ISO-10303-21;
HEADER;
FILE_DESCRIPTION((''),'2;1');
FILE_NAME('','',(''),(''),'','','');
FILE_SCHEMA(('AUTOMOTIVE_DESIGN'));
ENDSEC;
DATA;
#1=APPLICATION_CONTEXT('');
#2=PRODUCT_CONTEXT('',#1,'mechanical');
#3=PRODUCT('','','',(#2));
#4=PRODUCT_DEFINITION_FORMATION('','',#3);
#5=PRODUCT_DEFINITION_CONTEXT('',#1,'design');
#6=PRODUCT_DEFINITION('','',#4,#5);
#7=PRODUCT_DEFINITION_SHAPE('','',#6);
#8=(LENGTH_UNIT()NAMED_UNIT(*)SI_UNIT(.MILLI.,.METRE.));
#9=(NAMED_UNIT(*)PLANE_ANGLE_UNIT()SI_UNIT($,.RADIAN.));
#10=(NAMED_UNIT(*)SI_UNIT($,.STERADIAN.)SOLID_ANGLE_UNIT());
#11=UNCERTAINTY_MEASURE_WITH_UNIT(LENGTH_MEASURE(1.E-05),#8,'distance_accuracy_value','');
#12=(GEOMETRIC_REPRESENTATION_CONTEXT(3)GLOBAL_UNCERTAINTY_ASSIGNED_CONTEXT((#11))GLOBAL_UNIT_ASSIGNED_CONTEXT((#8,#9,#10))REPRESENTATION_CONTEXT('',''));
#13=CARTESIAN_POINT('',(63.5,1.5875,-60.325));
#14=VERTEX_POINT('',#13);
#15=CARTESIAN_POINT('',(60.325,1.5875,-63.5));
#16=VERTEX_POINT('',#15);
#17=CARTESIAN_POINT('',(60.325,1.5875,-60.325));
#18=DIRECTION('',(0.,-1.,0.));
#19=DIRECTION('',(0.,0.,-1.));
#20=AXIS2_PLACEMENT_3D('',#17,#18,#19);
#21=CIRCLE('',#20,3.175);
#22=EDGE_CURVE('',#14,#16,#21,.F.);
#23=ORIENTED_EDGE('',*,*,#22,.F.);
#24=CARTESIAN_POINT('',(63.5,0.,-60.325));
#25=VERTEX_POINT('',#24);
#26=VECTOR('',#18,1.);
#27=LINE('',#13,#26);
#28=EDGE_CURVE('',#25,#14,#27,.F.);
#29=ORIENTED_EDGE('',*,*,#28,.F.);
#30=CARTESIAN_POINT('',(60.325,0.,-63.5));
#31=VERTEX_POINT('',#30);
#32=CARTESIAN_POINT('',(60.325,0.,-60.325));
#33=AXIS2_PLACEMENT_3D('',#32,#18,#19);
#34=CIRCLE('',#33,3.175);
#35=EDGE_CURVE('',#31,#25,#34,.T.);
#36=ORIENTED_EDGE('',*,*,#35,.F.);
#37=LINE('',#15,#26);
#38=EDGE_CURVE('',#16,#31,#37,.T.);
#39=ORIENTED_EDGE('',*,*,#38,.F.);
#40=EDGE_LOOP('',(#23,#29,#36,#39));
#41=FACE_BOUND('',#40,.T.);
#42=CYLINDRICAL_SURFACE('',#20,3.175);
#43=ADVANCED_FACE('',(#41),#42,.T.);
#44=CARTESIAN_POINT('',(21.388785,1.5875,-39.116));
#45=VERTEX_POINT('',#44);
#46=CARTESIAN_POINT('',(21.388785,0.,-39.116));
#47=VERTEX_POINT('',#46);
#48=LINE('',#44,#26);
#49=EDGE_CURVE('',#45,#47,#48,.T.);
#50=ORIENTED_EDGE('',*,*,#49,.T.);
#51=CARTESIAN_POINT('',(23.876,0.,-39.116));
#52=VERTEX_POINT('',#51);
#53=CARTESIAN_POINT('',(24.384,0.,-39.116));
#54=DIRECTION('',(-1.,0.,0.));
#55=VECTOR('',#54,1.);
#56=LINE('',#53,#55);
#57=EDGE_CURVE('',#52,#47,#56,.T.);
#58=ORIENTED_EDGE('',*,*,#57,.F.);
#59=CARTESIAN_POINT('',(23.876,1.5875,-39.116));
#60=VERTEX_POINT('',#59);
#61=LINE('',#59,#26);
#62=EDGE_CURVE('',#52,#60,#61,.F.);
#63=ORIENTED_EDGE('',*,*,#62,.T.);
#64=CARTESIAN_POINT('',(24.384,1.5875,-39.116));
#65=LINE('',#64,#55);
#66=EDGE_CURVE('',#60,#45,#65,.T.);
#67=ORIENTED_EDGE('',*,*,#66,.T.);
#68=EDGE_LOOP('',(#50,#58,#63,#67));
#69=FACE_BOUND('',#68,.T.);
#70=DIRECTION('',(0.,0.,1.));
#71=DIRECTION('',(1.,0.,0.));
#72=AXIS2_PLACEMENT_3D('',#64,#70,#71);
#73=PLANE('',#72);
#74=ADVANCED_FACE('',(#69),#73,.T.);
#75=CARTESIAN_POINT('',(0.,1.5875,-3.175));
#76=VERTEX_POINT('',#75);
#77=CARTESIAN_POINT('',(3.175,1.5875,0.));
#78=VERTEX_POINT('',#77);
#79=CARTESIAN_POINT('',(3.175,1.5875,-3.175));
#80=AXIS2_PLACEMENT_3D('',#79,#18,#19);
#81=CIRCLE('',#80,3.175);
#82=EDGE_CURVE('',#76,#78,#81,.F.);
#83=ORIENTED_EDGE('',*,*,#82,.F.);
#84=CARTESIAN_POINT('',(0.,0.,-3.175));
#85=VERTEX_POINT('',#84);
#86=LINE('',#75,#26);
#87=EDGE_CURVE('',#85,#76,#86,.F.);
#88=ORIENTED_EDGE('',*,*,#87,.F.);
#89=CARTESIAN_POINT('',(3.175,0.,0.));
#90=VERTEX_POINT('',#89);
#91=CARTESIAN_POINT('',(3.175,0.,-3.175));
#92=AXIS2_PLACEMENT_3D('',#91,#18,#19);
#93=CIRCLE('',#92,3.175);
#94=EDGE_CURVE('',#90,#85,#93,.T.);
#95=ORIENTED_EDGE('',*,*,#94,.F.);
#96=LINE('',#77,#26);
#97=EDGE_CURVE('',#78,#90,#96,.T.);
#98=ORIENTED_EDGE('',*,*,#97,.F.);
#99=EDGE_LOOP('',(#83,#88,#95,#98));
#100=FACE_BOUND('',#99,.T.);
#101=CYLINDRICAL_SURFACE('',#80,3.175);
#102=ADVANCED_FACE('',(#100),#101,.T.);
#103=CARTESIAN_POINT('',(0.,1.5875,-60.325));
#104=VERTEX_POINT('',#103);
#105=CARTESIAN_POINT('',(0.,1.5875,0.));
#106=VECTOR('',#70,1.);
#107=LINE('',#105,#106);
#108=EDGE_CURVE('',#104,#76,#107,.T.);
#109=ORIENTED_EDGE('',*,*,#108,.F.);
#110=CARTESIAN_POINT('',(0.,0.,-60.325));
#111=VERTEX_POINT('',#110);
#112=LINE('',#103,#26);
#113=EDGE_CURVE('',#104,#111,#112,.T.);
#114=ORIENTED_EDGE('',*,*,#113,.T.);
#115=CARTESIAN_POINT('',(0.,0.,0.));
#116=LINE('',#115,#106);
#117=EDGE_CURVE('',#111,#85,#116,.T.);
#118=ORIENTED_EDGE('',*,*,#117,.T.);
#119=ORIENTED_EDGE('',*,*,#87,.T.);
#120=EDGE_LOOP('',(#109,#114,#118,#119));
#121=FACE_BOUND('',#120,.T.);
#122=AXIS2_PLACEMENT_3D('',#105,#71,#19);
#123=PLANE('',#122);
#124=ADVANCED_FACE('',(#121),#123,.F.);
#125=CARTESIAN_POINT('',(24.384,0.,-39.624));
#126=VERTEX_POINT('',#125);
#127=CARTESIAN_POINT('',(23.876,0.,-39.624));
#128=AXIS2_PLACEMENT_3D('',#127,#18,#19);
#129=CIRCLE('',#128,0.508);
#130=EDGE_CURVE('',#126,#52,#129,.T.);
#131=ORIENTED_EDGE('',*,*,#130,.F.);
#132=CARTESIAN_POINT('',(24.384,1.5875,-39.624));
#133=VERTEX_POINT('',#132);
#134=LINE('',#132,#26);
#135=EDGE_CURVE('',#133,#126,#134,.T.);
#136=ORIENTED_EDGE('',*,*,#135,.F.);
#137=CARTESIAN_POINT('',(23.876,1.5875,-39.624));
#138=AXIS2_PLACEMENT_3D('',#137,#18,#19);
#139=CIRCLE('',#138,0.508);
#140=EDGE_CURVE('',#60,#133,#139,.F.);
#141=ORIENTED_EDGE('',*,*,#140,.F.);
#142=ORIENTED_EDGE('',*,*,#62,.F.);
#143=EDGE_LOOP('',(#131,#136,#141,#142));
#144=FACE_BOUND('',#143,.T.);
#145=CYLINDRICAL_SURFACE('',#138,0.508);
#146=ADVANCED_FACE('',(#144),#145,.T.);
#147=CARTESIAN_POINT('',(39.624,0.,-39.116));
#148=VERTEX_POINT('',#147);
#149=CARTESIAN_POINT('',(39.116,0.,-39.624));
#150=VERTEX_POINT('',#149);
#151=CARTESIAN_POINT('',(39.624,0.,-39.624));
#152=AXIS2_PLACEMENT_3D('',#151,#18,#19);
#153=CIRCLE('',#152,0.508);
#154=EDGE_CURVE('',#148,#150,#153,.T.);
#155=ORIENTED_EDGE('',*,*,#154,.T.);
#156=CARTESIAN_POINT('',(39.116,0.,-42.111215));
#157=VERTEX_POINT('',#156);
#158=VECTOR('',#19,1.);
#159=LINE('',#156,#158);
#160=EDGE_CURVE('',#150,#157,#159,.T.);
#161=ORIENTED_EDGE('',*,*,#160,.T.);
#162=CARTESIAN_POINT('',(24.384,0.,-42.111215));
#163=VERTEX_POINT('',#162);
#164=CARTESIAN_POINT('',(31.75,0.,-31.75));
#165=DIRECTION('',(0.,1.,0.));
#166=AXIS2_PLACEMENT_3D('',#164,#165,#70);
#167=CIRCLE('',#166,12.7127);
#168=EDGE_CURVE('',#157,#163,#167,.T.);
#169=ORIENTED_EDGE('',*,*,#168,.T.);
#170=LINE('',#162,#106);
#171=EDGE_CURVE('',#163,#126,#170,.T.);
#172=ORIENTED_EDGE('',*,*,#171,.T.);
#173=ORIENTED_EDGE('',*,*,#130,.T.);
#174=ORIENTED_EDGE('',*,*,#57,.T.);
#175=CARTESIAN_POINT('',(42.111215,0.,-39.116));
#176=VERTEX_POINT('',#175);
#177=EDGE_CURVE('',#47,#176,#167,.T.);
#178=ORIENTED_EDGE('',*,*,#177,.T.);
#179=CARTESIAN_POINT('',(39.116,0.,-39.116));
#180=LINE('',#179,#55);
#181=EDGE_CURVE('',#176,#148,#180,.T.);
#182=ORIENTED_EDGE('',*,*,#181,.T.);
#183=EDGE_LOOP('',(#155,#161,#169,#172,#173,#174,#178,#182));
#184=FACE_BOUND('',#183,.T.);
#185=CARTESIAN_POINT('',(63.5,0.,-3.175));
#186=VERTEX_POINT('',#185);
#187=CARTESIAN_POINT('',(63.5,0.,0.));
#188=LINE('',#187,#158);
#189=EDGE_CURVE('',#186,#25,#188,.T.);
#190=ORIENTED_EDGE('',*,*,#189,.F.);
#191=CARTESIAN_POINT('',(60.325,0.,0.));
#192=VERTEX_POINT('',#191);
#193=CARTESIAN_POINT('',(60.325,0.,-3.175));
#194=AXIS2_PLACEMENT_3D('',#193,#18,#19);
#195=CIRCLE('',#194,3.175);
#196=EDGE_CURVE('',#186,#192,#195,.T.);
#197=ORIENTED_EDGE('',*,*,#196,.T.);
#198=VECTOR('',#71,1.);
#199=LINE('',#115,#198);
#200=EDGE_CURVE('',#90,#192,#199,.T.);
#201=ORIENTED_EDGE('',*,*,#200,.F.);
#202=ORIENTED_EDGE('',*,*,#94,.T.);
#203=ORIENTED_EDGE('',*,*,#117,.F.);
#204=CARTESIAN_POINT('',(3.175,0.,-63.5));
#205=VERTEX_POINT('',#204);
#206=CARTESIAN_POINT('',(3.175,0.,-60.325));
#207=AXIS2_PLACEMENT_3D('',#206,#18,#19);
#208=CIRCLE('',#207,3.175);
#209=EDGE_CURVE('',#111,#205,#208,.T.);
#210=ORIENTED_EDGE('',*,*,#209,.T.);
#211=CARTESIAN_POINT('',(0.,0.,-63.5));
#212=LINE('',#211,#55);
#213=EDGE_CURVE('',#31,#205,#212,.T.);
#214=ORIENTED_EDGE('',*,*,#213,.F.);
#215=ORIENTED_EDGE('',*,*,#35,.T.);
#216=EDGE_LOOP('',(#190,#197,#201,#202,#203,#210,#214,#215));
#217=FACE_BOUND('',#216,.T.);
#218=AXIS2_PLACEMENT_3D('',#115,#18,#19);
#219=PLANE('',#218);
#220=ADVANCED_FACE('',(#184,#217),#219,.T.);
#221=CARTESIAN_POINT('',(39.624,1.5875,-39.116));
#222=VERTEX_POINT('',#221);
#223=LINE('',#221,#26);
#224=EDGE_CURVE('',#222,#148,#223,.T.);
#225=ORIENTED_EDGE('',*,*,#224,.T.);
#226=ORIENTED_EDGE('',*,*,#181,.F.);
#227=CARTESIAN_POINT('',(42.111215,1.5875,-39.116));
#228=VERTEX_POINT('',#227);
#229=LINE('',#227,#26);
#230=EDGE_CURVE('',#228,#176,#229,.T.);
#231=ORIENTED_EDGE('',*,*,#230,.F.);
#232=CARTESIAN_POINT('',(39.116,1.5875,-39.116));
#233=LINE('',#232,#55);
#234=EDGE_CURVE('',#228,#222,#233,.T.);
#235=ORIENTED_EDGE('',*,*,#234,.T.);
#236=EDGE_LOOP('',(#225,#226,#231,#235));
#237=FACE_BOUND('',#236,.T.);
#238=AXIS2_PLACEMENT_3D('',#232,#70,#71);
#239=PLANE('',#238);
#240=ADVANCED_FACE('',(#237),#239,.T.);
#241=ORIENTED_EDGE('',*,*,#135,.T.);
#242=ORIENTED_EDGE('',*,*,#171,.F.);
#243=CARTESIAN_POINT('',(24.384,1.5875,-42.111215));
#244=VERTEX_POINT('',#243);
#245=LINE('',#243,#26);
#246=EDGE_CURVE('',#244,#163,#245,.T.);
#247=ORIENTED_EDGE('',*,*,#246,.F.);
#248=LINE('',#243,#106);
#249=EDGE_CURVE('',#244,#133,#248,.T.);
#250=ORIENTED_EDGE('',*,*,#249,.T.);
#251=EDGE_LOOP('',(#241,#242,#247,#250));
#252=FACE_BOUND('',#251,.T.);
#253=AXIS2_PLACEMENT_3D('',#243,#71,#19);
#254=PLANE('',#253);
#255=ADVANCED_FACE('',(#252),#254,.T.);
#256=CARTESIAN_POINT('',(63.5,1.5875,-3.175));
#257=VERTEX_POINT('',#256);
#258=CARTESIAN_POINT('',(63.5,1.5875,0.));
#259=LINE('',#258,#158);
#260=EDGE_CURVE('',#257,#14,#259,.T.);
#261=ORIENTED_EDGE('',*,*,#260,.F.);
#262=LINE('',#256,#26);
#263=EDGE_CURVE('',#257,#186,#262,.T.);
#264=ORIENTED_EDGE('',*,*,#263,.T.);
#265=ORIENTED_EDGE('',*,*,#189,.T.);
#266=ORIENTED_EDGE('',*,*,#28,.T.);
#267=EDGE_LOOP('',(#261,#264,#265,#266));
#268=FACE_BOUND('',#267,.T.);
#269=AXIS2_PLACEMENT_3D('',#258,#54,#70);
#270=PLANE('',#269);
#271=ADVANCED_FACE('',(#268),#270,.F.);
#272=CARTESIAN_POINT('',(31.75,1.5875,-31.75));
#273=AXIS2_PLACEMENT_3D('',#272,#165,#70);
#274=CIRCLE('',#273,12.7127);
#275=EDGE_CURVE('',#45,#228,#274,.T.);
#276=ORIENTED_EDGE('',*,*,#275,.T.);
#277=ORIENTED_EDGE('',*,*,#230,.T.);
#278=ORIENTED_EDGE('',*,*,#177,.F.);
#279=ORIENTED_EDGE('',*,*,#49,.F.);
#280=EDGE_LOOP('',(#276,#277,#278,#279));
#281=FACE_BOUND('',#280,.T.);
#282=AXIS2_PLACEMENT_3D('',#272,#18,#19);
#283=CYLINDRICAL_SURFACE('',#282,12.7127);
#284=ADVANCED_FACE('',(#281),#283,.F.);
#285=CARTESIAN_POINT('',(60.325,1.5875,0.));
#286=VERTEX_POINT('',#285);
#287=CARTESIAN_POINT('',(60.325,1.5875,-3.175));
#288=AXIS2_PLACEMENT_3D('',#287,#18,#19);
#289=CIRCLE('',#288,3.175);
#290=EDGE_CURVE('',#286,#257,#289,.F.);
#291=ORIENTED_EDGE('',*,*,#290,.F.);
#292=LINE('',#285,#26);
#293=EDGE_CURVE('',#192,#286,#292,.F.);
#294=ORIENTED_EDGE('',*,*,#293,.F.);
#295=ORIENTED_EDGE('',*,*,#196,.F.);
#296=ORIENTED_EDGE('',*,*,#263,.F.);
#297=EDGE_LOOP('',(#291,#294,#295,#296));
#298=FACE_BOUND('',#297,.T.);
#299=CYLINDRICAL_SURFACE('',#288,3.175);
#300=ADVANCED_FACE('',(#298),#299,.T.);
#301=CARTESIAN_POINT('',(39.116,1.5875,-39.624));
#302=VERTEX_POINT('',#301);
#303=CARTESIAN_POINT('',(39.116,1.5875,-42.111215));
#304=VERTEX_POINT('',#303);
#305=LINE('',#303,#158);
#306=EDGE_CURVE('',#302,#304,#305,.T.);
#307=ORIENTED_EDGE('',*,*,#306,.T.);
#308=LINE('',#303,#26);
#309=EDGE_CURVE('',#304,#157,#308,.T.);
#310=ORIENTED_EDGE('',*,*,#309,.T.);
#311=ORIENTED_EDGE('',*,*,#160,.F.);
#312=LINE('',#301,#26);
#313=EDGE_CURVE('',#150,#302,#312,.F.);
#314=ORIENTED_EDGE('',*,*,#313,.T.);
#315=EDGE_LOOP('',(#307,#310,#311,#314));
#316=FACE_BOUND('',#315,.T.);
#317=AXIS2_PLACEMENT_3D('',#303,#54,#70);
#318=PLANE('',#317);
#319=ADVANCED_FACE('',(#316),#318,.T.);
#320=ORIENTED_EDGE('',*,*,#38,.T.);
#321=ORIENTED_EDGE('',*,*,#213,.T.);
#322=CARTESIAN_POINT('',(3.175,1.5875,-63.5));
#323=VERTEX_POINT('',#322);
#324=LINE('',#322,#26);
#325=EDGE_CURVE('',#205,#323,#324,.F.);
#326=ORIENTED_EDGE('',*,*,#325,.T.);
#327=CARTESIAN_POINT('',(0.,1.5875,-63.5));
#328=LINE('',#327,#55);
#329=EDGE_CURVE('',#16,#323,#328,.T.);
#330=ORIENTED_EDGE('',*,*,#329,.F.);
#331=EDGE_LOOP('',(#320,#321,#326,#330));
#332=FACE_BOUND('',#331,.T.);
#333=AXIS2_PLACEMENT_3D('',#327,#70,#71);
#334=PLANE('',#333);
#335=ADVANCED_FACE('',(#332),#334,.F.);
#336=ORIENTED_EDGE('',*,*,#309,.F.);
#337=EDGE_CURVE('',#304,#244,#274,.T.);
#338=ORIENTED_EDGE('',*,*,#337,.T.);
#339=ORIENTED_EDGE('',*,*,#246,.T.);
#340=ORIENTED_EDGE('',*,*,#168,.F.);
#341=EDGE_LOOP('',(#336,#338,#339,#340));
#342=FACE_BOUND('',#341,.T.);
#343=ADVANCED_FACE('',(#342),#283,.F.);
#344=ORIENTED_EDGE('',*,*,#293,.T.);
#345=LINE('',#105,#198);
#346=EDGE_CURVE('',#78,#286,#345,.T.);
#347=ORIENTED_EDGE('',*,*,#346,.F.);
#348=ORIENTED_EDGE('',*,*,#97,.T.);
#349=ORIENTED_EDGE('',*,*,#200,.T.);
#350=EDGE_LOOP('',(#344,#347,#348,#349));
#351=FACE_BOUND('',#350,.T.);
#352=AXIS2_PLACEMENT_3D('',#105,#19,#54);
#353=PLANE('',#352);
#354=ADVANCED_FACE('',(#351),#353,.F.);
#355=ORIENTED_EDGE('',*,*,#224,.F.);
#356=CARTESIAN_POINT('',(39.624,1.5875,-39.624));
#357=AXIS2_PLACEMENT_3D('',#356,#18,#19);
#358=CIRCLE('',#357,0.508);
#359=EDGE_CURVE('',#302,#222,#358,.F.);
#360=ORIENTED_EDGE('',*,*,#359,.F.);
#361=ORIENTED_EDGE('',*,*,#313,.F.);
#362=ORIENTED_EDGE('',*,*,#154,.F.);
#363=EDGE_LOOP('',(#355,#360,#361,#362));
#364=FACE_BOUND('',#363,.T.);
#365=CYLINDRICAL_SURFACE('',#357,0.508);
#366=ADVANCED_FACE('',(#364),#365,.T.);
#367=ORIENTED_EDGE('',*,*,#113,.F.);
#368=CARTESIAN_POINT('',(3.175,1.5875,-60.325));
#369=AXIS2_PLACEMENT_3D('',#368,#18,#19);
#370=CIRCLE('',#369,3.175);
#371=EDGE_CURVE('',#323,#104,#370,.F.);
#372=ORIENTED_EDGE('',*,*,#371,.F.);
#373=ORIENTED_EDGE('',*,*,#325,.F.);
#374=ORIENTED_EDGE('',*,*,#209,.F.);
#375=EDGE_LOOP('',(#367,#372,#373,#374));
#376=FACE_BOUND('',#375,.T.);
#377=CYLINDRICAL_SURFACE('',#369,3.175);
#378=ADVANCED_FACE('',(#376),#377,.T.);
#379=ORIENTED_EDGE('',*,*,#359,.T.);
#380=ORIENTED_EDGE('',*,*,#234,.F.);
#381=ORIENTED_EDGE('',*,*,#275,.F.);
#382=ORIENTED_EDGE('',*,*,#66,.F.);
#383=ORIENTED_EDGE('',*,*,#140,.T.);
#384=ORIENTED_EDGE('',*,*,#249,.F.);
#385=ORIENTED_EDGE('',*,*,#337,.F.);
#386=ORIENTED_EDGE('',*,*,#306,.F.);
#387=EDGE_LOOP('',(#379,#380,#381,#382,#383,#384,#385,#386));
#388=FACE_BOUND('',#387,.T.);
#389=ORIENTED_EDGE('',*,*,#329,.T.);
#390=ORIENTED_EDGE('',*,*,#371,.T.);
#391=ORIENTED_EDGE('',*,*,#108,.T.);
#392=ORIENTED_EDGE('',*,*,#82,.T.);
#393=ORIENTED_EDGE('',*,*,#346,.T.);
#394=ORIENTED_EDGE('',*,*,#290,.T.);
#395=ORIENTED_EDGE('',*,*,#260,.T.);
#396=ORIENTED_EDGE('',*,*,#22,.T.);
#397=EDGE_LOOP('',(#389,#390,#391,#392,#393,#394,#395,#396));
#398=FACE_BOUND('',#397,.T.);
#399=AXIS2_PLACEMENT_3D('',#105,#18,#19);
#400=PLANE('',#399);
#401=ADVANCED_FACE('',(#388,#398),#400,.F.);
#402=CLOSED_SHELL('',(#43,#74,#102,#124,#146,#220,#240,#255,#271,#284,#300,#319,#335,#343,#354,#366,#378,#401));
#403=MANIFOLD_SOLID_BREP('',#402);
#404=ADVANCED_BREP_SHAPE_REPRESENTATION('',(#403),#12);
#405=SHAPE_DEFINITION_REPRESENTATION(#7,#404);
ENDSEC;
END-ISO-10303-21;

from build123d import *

# Parameters (mm, degrees)
SKETCH1_W           = 63.5
SKETCH1_H           = 63.5
BOSS_EXTRUDE1_DEPTH = 1.5875
FILLET1_R           = 0.508
FILLET2_R           = 3.175


with BuildPart() as part:
    # Sketch1 → Boss-Extrude1 (new body)
    with BuildSketch(Plane(origin=(0, 0, 0), x_dir=(1, 0, 0), z_dir=(0, 1, 0))):
        with Locations((31.75, 31.75)):
            Rectangle(SKETCH1_W, SKETCH1_H)
        with BuildLine():
            Line((24.384, 42.111215435), (24.384, 39.116))
            Line((24.384, 39.116), (21.388784565, 39.116))
            ThreePointArc((21.388784565, 39.116), (31.75, 19.0373), (42.111215435, 39.116))
            Line((42.111215435, 39.116), (39.116, 39.116))
            Line((39.116, 39.116), (39.116, 42.111215435))
            ThreePointArc((39.116, 42.111215435), (31.75, 44.4627), (24.384, 42.111215435))
        make_face(mode=Mode.SUBTRACT)
    extrude(amount=BOSS_EXTRUDE1_DEPTH)

    # Fillet1
    fillet1_edges = [part.edges().sort_by_distance(p)[0] for p in [
        (24.384, 0.79375, -39.116),
        (39.116, 0.79375, -39.116),
    ]]
    fillet(fillet1_edges, radius=FILLET1_R)

    # Fillet2
    fillet2_edges = [part.edges().sort_by_distance(p)[0] for p in [
        (0, 0.79375, -63.5),
        (63.5, 0.79375, -63.5),
        (63.5, 0.79375, 0),
        (0, 0.79375, 0),
    ]]
    fillet(fillet2_edges, radius=FILLET2_R)


solid = part.part
